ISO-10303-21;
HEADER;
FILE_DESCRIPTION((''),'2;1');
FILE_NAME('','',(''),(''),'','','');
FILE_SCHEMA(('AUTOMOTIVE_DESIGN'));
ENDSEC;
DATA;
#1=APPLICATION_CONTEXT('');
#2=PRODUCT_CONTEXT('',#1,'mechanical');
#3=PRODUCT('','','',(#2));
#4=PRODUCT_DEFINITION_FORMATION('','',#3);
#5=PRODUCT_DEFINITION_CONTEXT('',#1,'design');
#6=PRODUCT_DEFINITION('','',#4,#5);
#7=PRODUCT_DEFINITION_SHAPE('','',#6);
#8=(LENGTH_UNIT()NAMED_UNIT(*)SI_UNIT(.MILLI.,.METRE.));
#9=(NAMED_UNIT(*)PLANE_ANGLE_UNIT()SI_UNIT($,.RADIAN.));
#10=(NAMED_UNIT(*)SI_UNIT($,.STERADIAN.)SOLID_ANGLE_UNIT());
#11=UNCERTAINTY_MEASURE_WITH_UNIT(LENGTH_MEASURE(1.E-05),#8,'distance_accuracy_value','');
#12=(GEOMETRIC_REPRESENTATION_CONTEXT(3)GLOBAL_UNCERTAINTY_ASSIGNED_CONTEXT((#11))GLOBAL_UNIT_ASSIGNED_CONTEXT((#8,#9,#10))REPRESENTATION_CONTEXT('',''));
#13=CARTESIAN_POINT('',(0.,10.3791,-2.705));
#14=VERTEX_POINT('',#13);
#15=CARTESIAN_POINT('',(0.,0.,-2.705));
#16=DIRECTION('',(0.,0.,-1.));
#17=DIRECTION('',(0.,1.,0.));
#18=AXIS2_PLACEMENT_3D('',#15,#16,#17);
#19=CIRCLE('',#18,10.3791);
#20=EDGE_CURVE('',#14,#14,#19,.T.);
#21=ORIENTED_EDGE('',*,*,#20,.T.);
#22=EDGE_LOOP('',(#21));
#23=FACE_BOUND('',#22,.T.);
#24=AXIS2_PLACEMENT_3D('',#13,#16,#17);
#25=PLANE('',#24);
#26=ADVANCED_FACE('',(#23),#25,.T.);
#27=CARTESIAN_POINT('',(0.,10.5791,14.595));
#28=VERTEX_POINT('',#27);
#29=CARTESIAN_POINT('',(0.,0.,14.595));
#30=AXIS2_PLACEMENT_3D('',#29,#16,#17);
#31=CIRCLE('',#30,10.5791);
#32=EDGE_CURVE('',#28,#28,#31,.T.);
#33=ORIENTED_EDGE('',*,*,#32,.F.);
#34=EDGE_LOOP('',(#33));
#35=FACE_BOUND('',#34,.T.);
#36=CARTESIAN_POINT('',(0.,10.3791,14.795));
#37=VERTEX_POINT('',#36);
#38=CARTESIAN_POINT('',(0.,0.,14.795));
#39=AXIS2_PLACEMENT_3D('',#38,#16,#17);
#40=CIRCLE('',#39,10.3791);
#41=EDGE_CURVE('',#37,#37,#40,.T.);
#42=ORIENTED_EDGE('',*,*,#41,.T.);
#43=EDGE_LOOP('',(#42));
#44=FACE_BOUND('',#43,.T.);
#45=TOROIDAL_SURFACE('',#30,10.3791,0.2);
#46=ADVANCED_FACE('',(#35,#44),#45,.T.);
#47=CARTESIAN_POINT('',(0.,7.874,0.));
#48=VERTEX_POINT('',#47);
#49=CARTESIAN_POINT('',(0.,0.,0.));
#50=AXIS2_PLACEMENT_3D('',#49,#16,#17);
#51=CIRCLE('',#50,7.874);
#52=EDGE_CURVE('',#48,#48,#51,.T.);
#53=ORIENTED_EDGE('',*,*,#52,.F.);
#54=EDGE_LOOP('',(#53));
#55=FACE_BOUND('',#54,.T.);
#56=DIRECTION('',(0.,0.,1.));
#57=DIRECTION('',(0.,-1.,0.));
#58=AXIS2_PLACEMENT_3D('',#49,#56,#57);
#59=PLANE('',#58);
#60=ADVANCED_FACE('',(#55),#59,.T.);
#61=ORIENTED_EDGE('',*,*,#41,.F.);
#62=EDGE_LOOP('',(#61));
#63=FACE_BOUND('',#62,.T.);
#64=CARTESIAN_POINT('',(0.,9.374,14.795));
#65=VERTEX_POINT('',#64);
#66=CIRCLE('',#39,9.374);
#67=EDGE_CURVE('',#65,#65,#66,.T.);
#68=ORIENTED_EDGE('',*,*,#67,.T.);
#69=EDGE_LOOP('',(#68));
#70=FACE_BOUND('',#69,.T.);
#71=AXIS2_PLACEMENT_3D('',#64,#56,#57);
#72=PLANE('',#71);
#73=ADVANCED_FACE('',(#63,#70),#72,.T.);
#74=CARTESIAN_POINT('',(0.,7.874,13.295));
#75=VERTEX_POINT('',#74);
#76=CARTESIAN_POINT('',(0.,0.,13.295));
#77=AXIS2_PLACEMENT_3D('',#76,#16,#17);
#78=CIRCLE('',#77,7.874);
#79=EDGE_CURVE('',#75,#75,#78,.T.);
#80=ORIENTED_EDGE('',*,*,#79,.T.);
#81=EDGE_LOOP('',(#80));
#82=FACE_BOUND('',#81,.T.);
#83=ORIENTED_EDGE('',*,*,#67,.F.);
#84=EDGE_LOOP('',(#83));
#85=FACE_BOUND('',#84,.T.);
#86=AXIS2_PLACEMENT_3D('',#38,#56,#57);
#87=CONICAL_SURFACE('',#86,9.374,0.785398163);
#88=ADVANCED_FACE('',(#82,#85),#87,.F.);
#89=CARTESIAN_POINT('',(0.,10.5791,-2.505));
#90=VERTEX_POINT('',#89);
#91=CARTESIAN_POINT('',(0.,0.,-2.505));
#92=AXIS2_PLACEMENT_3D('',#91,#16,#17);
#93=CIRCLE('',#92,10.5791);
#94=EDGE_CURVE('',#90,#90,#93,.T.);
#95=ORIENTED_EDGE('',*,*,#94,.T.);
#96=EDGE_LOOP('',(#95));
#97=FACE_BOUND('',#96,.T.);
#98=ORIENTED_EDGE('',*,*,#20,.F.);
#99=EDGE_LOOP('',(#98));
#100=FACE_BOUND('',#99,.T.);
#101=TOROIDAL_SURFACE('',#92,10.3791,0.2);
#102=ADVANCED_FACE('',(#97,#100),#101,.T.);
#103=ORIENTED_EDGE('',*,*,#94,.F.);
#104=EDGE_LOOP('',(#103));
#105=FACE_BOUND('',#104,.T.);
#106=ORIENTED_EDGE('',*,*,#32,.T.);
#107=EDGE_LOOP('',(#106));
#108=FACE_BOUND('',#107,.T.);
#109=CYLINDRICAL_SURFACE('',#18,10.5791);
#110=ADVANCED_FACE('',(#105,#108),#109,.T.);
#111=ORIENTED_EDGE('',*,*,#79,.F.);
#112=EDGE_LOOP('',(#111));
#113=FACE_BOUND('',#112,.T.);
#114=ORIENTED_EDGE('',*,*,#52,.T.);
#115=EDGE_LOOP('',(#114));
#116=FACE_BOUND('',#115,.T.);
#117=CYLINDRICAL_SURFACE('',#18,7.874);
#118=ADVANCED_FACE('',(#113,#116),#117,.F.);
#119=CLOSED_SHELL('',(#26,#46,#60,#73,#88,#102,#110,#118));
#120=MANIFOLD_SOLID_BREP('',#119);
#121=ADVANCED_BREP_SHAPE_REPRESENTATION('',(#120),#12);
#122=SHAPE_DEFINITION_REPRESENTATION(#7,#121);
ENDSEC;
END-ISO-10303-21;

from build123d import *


with BuildPart() as part:
    # Sketch2 → Revolve1 (revolve)
    with BuildSketch(Plane(origin=(0, 0, 0), x_dir=(0, 0, -1), z_dir=(1, 0, 0))):
        with BuildLine():
            Line((-14.795, 9.374), (-14.795, 10.3791))
            ThreePointArc((-14.795, 10.3791), (-14.736421356, 10.520521356), (-14.595, 10.5791))
            Line((-14.595, 10.5791), (2.505, 10.5791))
            ThreePointArc((2.505, 10.5791), (2.646421356, 10.520521356), (2.705, 10.3791))
            Line((2.705, 10.3791), (2.705, 0))
            Line((2.705, 0), (0, 0))
            Line((0, 0), (0, 7.874))
            Line((0, 7.874), (-13.295, 7.874))
            Line((-13.295, 7.874), (-14.795, 9.374))
        make_face()
    revolve(axis=Axis((0, 0, -2.705), (0, 0, 1)))


solid = part.part
